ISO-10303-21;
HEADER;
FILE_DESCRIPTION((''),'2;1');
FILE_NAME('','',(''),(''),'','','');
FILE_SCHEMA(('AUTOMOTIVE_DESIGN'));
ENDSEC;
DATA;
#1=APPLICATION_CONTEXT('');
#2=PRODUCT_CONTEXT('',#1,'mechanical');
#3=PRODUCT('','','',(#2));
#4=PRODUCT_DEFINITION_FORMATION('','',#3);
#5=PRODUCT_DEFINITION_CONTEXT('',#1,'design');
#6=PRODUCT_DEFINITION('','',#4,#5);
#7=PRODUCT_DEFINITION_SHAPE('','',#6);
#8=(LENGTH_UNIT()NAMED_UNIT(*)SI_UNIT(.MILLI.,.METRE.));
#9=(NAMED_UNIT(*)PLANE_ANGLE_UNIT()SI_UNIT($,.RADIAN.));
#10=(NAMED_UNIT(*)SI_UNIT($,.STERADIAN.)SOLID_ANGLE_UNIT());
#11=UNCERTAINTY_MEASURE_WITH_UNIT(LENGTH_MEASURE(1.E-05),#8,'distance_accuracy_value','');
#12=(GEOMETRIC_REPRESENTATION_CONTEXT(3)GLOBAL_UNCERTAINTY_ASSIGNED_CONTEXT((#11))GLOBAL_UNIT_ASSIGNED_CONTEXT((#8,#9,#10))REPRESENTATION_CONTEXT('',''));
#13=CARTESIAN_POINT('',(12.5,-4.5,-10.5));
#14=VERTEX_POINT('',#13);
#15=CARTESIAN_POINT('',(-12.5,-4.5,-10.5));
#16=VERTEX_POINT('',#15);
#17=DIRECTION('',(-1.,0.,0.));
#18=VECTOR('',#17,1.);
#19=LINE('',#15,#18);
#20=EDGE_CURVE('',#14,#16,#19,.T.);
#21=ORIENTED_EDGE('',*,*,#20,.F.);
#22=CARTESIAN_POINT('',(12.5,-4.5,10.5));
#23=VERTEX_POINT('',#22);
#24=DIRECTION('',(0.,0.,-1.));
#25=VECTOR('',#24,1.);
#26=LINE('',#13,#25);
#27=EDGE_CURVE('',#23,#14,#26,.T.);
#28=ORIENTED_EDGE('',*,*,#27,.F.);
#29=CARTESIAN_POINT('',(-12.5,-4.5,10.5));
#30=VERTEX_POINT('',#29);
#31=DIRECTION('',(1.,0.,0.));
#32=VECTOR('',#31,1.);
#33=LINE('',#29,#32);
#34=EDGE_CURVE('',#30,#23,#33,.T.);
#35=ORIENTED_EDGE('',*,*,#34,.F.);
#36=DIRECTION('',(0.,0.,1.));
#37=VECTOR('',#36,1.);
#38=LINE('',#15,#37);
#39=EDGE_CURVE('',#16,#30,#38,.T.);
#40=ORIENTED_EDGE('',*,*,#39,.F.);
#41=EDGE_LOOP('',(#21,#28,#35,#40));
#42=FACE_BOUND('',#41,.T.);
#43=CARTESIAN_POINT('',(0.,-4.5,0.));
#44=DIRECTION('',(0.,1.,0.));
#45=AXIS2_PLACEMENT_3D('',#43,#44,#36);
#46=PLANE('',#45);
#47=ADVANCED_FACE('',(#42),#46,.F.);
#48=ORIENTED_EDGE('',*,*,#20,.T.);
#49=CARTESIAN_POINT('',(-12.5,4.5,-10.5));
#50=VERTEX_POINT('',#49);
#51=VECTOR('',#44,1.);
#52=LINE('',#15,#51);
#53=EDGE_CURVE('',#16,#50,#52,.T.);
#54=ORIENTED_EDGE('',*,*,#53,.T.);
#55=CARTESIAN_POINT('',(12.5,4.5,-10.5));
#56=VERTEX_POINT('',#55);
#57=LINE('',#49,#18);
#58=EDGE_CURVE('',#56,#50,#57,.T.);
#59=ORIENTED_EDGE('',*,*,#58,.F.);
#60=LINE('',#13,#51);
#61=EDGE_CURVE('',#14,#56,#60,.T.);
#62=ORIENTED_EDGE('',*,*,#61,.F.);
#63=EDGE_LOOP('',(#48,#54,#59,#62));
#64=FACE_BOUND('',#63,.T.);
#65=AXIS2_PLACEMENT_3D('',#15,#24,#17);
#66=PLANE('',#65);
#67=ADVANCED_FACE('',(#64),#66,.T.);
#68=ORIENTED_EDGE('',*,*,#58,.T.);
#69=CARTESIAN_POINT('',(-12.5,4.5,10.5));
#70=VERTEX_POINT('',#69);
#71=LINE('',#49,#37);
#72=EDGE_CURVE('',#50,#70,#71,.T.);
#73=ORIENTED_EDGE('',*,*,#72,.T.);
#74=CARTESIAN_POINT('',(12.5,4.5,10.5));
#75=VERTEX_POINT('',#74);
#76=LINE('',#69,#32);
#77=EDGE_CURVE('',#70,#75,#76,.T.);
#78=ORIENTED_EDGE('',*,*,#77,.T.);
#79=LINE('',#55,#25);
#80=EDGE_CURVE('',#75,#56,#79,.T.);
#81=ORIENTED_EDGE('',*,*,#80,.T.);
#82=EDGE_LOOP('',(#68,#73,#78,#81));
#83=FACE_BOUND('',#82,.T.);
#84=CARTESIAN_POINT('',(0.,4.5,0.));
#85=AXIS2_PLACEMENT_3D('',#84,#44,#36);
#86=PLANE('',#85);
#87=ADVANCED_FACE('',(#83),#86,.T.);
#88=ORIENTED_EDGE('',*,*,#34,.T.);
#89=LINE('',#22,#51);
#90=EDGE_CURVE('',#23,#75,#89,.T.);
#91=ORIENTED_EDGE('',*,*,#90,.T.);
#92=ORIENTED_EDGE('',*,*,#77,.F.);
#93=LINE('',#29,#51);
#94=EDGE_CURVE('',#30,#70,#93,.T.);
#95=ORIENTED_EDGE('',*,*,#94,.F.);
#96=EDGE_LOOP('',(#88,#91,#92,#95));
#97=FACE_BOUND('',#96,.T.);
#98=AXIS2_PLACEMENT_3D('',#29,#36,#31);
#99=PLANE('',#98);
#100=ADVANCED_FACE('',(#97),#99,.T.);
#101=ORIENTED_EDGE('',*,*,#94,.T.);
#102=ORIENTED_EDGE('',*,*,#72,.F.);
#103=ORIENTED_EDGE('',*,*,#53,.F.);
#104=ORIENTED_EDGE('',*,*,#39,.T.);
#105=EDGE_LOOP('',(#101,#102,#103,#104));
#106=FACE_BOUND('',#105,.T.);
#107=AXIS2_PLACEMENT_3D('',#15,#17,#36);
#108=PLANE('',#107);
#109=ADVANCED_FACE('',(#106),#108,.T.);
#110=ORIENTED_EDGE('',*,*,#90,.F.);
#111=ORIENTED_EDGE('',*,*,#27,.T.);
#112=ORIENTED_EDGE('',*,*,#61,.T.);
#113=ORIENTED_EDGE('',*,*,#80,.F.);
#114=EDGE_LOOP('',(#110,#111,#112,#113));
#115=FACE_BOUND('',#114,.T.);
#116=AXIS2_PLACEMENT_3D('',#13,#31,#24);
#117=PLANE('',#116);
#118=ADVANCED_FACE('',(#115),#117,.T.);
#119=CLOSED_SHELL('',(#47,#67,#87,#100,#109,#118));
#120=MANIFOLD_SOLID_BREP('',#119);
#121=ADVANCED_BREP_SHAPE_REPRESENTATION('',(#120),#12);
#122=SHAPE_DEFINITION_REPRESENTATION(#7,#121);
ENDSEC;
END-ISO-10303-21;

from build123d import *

# Parameters (mm, degrees)
BOSS_EXTRUDE1_DEPTH      = 4.5
BOSS_EXTRUDE1_DEPTH_BACK = 4.5
SKETCH2_W                = 25
SKETCH2_H                = 21


with BuildPart() as part:
    # Sketch2 → Boss-Extrude1 (new, two sides: drawn at the far end of the back side and taken through both)
    with BuildSketch(Plane(origin=(0, 0, 0), x_dir=(1, 0, 0), z_dir=(0, 1, 0)).offset(-BOSS_EXTRUDE1_DEPTH_BACK)):
        Rectangle(SKETCH2_W, SKETCH2_H)
    extrude(amount=BOSS_EXTRUDE1_DEPTH + BOSS_EXTRUDE1_DEPTH_BACK)


solid = part.part
